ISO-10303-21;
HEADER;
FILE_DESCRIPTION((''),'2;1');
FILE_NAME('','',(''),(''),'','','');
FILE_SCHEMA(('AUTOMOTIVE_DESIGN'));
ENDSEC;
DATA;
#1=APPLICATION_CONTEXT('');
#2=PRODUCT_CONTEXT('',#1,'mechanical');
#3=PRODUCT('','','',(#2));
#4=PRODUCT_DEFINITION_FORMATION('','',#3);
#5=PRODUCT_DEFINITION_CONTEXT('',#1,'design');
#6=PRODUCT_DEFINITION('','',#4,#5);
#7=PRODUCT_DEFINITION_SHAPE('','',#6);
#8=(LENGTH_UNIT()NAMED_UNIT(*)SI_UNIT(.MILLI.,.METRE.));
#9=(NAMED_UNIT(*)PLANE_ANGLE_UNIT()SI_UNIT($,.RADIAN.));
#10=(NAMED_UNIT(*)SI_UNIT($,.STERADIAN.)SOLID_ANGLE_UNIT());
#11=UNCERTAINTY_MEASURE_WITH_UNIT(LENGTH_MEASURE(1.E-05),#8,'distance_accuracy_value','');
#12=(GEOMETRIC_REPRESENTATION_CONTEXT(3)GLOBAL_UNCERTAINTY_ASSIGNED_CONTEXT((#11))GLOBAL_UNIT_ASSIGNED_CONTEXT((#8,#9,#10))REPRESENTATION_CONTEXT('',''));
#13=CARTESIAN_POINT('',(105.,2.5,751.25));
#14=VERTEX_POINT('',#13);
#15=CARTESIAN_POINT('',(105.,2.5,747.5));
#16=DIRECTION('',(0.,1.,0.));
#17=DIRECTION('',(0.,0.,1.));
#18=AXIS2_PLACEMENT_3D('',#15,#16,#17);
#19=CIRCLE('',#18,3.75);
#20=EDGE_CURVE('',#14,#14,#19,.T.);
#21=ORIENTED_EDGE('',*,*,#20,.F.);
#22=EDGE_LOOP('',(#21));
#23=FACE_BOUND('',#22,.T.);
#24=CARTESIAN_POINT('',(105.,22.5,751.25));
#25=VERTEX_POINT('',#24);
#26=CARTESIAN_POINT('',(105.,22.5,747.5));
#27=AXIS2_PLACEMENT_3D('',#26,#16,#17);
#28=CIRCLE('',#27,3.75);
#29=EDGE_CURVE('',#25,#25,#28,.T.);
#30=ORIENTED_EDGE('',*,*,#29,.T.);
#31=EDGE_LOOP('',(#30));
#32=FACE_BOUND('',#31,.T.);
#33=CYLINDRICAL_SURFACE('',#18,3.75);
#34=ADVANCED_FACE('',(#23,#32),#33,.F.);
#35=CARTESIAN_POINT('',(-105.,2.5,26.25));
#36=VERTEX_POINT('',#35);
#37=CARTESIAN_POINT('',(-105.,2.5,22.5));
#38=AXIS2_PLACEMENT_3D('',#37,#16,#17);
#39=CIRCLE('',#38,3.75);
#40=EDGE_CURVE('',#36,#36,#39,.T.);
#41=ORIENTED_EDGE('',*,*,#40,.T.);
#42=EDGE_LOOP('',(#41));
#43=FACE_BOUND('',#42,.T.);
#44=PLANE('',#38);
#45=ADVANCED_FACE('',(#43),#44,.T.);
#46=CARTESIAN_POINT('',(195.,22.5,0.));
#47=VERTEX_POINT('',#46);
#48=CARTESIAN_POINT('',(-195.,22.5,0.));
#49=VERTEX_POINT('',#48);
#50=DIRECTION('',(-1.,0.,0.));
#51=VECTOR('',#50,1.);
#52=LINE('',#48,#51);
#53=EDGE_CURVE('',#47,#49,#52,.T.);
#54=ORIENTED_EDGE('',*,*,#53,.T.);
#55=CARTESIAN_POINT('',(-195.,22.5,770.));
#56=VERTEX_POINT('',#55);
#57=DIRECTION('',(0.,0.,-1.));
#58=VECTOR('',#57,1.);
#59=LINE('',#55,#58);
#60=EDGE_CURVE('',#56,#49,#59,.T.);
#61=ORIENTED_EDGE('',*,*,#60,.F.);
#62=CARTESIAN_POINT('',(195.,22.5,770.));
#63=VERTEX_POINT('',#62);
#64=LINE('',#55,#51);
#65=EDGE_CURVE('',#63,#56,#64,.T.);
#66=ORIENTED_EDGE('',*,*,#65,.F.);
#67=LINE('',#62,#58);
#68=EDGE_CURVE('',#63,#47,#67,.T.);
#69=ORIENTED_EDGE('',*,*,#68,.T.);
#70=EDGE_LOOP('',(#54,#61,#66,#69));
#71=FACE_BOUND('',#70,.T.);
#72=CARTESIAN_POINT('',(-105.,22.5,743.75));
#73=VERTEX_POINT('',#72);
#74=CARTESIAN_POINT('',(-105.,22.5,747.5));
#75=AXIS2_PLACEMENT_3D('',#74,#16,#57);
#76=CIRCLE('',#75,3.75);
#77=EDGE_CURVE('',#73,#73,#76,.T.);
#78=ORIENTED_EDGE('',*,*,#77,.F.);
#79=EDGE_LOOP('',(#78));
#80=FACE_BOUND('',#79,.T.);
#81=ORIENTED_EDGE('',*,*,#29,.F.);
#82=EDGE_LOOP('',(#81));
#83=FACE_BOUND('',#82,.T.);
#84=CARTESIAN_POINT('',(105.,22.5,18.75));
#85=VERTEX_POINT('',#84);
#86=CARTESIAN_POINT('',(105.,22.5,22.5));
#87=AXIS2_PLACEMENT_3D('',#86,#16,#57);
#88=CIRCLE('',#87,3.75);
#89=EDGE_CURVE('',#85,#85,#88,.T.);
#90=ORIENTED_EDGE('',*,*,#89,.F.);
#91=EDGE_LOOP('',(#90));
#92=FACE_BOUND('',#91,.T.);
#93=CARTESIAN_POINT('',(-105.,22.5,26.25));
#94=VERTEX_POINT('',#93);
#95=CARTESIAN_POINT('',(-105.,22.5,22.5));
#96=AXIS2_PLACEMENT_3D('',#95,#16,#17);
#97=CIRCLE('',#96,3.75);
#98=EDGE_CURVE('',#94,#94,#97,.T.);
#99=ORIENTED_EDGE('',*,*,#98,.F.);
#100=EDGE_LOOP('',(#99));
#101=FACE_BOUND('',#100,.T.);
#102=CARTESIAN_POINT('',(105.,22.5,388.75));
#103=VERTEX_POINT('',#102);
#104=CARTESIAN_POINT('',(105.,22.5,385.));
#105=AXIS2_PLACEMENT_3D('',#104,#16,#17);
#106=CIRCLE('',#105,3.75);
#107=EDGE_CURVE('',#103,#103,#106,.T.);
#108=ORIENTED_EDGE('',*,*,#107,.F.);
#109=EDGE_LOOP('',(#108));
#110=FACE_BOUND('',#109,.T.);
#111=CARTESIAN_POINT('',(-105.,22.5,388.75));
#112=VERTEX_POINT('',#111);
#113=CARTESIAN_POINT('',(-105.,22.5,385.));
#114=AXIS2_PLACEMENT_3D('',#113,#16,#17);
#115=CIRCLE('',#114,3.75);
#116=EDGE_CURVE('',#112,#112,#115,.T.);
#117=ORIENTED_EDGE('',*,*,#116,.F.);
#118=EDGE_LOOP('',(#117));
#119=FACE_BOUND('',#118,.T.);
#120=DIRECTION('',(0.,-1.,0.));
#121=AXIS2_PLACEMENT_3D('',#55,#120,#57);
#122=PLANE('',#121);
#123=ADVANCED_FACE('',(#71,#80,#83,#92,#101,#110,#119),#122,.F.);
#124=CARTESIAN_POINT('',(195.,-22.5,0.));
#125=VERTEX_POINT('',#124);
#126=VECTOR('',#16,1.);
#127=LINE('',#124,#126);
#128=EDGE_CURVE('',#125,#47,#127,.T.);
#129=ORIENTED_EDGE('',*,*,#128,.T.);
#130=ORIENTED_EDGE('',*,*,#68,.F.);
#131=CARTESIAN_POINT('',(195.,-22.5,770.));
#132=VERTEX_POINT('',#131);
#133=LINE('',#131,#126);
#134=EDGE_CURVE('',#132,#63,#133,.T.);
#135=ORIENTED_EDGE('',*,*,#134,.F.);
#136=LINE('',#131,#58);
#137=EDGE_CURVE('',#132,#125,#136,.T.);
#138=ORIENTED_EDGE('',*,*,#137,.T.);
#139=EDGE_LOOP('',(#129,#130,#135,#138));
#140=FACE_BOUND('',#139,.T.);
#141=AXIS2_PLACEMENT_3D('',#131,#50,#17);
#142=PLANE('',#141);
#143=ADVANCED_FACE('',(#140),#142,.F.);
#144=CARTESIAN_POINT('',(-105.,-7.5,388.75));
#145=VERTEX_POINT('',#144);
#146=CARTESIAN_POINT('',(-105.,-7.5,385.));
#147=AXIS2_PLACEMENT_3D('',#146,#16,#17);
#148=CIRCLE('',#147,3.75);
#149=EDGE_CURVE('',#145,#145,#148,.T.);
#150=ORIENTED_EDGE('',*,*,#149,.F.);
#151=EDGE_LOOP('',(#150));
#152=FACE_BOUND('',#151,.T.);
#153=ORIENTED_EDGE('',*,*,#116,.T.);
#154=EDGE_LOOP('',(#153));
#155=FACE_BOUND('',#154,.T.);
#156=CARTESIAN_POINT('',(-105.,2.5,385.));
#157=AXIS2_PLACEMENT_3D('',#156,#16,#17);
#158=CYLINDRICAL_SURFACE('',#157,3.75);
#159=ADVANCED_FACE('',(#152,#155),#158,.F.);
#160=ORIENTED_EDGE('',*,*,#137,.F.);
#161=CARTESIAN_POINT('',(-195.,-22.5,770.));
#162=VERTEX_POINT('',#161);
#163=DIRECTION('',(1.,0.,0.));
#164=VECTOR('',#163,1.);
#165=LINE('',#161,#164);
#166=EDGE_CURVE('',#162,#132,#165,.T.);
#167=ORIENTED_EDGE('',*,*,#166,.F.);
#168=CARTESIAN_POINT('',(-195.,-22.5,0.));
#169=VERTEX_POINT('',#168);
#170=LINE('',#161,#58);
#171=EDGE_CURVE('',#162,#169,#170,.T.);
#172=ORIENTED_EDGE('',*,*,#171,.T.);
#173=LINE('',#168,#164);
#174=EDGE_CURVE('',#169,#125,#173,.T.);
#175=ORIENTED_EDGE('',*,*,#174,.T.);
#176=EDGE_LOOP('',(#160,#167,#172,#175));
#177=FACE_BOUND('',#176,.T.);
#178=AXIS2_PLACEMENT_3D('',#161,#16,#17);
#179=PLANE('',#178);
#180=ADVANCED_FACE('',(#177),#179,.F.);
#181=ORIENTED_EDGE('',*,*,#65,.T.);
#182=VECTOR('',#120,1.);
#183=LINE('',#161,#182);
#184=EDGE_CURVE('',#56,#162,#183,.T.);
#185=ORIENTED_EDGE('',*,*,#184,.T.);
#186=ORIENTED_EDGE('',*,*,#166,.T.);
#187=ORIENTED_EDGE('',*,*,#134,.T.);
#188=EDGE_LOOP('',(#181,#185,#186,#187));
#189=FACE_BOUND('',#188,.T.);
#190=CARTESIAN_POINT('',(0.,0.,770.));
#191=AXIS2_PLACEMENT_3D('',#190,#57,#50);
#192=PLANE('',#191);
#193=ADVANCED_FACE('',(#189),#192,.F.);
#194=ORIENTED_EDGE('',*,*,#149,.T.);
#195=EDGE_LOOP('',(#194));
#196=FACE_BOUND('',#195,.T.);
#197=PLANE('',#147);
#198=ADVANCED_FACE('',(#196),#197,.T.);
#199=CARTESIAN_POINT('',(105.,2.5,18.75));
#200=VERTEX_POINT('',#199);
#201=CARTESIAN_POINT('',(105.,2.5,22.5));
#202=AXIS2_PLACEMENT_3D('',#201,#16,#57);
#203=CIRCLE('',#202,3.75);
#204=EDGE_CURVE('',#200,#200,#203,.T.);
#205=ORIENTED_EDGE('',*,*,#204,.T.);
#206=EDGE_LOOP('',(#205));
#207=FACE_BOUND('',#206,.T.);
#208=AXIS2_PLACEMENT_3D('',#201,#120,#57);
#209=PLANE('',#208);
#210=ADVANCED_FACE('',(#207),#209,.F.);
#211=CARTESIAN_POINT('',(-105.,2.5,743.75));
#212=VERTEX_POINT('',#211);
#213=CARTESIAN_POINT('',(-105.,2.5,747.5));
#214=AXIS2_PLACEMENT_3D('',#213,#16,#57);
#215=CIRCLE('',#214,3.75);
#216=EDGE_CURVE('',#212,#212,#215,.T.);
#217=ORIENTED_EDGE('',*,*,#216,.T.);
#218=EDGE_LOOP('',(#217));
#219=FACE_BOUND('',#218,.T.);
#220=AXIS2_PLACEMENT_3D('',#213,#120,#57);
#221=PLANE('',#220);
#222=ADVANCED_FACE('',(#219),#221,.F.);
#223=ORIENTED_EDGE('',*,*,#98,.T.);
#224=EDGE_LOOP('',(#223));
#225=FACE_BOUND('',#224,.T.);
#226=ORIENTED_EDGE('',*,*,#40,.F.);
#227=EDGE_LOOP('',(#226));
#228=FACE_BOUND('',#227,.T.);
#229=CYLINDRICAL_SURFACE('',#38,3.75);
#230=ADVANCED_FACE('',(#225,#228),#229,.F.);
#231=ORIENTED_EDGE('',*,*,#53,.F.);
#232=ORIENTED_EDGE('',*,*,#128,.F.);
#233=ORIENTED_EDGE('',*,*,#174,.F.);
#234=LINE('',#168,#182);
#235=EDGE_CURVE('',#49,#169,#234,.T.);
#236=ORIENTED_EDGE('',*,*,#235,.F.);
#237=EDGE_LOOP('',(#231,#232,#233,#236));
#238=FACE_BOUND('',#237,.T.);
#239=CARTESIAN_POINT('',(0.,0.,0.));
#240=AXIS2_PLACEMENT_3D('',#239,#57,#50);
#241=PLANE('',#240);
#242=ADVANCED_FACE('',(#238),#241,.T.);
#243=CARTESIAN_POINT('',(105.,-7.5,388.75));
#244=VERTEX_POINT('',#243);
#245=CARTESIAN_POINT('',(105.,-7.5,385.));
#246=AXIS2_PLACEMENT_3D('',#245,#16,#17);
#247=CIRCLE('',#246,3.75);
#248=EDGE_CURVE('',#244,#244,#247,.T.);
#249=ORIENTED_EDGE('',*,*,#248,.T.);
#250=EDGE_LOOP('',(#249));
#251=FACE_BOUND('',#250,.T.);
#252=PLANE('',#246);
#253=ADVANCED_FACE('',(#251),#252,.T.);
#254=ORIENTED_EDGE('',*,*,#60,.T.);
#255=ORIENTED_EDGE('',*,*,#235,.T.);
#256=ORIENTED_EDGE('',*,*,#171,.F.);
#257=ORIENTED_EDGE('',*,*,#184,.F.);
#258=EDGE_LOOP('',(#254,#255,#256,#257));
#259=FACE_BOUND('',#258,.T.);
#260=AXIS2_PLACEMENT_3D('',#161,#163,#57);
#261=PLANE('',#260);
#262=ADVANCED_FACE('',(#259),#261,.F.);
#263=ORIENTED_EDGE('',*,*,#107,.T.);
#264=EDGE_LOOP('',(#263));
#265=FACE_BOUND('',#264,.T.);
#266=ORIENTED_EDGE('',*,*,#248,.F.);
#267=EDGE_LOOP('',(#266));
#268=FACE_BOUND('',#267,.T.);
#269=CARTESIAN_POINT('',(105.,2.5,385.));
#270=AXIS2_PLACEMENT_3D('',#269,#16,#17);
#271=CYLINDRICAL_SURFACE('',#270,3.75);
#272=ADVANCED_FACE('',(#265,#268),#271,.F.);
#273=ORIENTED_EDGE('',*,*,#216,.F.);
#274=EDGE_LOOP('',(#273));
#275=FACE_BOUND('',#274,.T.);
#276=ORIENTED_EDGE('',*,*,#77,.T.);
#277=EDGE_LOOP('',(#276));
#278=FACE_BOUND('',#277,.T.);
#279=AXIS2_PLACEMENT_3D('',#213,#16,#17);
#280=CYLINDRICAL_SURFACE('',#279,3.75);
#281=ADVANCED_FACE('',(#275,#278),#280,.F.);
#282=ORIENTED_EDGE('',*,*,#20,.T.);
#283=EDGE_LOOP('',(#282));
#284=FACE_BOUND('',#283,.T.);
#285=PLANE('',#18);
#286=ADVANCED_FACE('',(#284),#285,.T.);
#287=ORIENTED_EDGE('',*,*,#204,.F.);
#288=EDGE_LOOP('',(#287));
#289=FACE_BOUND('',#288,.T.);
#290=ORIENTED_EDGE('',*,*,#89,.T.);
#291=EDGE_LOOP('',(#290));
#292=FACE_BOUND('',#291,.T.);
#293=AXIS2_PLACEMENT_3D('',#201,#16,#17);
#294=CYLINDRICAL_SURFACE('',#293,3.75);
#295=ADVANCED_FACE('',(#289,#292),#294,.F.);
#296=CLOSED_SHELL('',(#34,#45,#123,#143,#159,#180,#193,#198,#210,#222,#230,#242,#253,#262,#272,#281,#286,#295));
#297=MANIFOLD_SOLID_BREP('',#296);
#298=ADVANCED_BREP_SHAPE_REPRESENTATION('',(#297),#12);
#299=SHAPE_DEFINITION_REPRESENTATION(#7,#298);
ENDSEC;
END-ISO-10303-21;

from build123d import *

# Parameters (mm, degrees)
ESQUISSE1_W             = 390
ESQUISSE1_H             = 45
BOSS_EXTRU_1_DEPTH      = 770
ESQUISSE2_R             = 3.75
ENL_V_MAT_EXTRU_1_DEPTH = 20
ESQUISSE3_R             = 3.75
ENL_V_MAT_EXTRU_2_DEPTH = 30


with BuildPart() as part:
    # Esquisse1 → Boss.-Extru.1 (new body)
    with BuildSketch(Plane.XY):
        Rectangle(ESQUISSE1_W, ESQUISSE1_H)
    extrude(amount=BOSS_EXTRU_1_DEPTH)

    # Esquisse2 → Enlèv. mat.-Extru.1 (cut)
    with BuildSketch(Plane(origin=(0, 22.5, 0), x_dir=(1, 0, 0), z_dir=(0, 1, 0))):
        with Locations(Location((-105, -22.5, 0), (0, 0, 270))):
            Circle(ESQUISSE2_R)
        with Locations(Location((105, -22.5, 0), (0, 0, 90))):
            Circle(ESQUISSE2_R)
        with Locations(Location((105, -747.5, 0), (0, 0, 270))):
            Circle(ESQUISSE2_R)
        with Locations(Location((-105, -747.5, 0), (0, 0, 90))):
            Circle(ESQUISSE2_R)
        with Locations(Location((-105, -385, 0), (0, 0, 270))):
            Circle(ESQUISSE2_R)
        with Locations(Location((105, -385, 0), (0, 0, 270))):
            Circle(ESQUISSE2_R)
    extrude(amount=-ENL_V_MAT_EXTRU_1_DEPTH, mode=Mode.SUBTRACT)

    # Esquisse3 → Enlèv. mat.-Extru.2 (cut)
    with BuildSketch(Plane(origin=(0, 22.5, 0), x_dir=(1, 0, 0), z_dir=(0, 1, 0))):
        with Locations(Location((-105, -385, 0), (0, 0, 270))):
            Circle(ESQUISSE3_R)
        with Locations(Location((105, -385, 0), (0, 0, 270))):
            Circle(ESQUISSE3_R)
    extrude(amount=-ENL_V_MAT_EXTRU_2_DEPTH, mode=Mode.SUBTRACT)


solid = part.part
